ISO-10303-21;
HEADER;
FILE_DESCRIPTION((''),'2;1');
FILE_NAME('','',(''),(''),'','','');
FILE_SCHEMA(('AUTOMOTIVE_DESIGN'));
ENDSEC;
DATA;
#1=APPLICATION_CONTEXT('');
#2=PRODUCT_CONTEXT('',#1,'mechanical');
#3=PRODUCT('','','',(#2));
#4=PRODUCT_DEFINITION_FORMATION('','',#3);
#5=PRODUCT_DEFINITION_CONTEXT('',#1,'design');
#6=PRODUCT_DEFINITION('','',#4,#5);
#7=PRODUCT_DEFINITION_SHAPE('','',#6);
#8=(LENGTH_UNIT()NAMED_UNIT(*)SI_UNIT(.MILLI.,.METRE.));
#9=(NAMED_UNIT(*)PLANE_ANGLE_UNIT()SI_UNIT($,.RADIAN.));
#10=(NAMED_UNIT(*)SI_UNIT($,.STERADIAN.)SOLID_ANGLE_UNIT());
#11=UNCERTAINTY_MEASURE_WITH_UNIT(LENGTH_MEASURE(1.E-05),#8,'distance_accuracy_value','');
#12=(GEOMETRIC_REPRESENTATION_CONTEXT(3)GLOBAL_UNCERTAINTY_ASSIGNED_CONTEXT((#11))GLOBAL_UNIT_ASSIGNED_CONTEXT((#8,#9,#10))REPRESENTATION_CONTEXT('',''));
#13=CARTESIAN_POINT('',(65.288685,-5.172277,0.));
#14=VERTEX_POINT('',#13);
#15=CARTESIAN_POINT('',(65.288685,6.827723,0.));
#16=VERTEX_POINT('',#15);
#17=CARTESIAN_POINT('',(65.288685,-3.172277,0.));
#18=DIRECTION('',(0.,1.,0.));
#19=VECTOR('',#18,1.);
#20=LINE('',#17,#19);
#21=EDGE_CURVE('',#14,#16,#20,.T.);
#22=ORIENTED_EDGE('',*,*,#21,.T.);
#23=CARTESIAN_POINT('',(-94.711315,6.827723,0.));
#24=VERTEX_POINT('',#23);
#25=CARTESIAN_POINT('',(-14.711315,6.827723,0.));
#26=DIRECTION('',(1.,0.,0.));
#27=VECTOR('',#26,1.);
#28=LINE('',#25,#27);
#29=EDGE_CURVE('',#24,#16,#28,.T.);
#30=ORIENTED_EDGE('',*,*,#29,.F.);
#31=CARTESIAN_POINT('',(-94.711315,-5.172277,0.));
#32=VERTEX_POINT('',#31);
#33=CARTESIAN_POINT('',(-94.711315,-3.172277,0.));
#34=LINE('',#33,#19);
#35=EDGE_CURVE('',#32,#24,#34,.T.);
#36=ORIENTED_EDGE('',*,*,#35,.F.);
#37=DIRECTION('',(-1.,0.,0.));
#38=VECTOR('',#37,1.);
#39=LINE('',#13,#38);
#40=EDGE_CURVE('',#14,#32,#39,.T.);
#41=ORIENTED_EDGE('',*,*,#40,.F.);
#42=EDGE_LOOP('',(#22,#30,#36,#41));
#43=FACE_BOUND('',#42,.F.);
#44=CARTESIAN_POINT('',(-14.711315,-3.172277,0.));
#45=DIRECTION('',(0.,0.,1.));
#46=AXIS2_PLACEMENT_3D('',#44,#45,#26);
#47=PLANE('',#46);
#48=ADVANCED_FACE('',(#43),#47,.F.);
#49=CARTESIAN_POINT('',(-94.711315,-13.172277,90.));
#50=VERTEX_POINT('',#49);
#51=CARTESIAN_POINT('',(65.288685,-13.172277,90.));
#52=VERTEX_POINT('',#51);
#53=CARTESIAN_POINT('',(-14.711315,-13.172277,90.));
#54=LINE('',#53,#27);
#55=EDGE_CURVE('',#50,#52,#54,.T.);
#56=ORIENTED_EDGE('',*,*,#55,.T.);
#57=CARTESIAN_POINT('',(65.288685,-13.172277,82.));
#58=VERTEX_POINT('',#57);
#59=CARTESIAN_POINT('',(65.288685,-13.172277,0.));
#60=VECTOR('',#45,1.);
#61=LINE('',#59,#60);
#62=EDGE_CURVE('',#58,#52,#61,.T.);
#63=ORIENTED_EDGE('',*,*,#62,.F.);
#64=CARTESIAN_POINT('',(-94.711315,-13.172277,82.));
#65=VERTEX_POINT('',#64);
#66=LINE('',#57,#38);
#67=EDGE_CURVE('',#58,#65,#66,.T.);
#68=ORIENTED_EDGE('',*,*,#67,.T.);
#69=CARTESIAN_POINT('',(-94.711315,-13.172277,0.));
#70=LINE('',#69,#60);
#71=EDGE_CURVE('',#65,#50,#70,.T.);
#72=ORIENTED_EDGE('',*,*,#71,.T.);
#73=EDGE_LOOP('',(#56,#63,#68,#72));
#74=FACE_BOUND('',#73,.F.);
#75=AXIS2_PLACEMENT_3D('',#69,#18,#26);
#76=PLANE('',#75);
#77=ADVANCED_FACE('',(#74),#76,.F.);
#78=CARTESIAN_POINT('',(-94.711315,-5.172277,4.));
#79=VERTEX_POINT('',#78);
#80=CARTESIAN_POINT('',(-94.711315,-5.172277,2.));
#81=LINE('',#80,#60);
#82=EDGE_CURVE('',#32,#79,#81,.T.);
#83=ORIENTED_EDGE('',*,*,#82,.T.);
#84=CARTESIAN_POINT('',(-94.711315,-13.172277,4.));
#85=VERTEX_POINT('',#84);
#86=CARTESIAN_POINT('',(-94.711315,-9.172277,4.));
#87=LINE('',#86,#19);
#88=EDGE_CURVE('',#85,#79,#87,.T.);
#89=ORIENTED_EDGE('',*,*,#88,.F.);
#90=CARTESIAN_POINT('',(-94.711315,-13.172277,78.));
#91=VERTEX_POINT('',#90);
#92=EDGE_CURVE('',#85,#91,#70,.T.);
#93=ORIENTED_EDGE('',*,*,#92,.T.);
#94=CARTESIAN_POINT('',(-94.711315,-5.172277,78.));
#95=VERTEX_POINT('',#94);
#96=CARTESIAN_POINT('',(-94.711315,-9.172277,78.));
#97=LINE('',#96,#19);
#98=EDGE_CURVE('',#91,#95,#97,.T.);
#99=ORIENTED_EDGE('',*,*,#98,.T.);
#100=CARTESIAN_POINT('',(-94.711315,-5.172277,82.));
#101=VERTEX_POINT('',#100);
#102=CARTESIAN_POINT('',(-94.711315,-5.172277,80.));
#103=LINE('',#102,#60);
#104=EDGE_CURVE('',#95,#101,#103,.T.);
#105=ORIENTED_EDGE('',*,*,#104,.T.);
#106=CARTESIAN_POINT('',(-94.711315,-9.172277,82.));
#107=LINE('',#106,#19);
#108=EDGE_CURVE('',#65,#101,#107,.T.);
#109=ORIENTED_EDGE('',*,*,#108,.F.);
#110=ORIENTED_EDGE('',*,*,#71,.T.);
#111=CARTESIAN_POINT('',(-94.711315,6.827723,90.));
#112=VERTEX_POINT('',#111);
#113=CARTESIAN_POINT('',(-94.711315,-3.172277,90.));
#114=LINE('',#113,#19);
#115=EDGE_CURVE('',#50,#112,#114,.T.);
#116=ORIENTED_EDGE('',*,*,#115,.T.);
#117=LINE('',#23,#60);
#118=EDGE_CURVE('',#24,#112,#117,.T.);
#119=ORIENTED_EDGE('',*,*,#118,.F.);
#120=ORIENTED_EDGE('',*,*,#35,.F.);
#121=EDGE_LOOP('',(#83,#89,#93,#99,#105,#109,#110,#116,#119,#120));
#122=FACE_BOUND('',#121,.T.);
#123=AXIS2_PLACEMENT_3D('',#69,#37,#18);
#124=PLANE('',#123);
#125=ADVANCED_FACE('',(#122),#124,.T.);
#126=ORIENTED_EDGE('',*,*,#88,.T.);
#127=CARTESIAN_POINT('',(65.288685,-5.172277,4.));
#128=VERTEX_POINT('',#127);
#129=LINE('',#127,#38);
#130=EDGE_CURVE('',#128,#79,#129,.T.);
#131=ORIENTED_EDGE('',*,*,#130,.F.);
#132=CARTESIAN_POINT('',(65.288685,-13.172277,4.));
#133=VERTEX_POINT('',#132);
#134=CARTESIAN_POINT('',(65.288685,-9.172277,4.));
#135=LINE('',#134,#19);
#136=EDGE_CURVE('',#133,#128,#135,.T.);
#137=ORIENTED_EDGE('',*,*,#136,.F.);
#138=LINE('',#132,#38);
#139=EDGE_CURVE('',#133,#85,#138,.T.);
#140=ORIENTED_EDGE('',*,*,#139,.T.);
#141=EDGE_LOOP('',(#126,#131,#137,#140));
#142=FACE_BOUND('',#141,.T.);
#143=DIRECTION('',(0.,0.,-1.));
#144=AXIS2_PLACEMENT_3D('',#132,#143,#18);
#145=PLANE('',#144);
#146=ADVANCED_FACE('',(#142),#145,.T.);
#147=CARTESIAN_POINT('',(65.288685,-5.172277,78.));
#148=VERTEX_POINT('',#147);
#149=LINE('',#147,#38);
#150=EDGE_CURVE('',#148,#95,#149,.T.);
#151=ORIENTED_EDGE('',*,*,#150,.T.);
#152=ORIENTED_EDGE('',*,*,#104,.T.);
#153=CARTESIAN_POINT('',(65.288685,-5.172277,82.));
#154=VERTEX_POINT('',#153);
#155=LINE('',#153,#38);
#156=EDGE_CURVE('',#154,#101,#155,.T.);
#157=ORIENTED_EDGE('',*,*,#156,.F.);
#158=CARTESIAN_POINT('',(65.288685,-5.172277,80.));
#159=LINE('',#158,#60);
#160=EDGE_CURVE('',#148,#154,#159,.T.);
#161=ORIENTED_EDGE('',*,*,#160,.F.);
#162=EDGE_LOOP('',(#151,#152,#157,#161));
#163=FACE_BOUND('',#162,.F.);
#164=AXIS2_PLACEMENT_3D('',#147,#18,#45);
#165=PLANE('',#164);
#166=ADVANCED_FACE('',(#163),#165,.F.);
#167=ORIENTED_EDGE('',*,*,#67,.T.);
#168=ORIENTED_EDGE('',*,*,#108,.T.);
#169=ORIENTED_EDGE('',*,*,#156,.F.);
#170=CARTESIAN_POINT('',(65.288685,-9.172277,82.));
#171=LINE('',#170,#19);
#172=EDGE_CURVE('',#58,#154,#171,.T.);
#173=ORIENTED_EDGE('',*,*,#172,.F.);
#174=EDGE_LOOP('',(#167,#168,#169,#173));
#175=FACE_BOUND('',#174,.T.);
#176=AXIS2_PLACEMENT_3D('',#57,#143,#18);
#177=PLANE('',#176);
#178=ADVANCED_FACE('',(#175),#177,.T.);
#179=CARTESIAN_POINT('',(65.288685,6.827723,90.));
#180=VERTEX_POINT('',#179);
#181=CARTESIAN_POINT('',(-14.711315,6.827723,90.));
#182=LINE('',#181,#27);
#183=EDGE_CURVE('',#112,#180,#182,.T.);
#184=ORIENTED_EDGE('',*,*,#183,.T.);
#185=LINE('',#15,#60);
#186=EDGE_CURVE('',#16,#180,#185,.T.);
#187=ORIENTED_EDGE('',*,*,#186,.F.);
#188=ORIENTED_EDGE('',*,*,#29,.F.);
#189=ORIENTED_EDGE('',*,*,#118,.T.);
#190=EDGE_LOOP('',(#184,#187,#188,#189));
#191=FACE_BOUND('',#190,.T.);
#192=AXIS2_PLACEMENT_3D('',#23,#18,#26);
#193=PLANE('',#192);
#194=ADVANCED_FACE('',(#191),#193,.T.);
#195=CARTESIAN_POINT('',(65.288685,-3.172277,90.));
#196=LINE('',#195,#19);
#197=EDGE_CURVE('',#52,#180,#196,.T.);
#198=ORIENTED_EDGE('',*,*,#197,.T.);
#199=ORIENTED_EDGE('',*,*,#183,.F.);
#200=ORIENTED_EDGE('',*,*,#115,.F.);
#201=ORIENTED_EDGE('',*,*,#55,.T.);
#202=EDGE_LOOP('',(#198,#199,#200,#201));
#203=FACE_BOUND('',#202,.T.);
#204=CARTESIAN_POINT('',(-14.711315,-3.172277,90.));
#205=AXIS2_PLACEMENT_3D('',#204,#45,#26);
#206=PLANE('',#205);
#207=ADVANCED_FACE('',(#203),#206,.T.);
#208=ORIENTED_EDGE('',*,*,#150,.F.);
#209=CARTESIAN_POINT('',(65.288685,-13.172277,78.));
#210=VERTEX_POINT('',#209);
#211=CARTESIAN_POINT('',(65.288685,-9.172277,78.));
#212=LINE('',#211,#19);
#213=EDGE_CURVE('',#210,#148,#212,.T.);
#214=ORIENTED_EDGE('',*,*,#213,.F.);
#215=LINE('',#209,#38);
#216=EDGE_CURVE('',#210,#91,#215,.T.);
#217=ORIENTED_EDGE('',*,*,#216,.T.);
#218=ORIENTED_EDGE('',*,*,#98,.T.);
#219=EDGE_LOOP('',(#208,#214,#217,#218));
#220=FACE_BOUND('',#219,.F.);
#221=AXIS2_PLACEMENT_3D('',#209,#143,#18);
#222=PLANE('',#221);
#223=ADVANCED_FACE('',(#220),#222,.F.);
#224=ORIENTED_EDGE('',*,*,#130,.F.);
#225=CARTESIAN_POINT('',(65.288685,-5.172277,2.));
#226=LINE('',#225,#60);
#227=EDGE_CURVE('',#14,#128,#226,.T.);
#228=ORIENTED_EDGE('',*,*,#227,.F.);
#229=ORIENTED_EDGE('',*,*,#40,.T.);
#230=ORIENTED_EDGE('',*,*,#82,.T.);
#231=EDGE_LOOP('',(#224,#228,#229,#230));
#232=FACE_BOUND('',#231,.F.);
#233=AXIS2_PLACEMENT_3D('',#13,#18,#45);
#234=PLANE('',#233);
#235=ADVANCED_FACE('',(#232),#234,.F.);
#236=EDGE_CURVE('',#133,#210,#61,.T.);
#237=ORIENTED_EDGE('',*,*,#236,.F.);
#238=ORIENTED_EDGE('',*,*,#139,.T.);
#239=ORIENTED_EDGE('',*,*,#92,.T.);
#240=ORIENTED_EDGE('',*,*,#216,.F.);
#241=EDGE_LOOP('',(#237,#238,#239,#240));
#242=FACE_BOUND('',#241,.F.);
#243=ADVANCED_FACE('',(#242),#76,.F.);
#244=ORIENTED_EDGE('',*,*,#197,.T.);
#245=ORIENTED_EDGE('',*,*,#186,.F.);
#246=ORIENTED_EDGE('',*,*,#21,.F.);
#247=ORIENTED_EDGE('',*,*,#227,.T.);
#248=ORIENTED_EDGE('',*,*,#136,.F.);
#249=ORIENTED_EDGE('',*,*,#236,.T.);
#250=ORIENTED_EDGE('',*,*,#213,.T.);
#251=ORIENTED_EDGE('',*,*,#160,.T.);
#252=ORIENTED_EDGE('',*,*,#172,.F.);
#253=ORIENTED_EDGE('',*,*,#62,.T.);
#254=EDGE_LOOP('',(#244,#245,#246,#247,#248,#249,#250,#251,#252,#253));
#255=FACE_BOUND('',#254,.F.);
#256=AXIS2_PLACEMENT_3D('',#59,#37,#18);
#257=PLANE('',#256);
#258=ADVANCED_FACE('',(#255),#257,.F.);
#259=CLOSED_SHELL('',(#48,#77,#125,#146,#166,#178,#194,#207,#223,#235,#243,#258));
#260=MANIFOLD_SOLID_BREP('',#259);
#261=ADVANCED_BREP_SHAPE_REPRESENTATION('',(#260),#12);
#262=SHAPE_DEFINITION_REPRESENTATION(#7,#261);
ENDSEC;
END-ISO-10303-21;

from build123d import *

# Parameters (mm, degrees)
F0_W     = 160
F0_H     = 20
F1_DEPTH = 90
F2_W     = 8
F2_H     = 4
F3_DEPTH = 160


with BuildPart() as f1:
    # F0 (on Top) → F1 (new body)
    with BuildSketch(Plane.XY):
        with Locations((-14.711315, -3.172277)):
            Rectangle(F0_W, F0_H)
    extrude(amount=F1_DEPTH)

    # F2 (on face) → F3 (cut, through all)
    with BuildSketch(Plane.YZ.offset(65.288685)):
        with Locations((-9.172277, 80)):
            Rectangle(F2_W, F2_H)
        with Locations((-9.172277, 2)):
            Rectangle(F2_W, F2_H)
    extrude(amount=-F3_DEPTH, mode=Mode.SUBTRACT)


solid = f1.part
